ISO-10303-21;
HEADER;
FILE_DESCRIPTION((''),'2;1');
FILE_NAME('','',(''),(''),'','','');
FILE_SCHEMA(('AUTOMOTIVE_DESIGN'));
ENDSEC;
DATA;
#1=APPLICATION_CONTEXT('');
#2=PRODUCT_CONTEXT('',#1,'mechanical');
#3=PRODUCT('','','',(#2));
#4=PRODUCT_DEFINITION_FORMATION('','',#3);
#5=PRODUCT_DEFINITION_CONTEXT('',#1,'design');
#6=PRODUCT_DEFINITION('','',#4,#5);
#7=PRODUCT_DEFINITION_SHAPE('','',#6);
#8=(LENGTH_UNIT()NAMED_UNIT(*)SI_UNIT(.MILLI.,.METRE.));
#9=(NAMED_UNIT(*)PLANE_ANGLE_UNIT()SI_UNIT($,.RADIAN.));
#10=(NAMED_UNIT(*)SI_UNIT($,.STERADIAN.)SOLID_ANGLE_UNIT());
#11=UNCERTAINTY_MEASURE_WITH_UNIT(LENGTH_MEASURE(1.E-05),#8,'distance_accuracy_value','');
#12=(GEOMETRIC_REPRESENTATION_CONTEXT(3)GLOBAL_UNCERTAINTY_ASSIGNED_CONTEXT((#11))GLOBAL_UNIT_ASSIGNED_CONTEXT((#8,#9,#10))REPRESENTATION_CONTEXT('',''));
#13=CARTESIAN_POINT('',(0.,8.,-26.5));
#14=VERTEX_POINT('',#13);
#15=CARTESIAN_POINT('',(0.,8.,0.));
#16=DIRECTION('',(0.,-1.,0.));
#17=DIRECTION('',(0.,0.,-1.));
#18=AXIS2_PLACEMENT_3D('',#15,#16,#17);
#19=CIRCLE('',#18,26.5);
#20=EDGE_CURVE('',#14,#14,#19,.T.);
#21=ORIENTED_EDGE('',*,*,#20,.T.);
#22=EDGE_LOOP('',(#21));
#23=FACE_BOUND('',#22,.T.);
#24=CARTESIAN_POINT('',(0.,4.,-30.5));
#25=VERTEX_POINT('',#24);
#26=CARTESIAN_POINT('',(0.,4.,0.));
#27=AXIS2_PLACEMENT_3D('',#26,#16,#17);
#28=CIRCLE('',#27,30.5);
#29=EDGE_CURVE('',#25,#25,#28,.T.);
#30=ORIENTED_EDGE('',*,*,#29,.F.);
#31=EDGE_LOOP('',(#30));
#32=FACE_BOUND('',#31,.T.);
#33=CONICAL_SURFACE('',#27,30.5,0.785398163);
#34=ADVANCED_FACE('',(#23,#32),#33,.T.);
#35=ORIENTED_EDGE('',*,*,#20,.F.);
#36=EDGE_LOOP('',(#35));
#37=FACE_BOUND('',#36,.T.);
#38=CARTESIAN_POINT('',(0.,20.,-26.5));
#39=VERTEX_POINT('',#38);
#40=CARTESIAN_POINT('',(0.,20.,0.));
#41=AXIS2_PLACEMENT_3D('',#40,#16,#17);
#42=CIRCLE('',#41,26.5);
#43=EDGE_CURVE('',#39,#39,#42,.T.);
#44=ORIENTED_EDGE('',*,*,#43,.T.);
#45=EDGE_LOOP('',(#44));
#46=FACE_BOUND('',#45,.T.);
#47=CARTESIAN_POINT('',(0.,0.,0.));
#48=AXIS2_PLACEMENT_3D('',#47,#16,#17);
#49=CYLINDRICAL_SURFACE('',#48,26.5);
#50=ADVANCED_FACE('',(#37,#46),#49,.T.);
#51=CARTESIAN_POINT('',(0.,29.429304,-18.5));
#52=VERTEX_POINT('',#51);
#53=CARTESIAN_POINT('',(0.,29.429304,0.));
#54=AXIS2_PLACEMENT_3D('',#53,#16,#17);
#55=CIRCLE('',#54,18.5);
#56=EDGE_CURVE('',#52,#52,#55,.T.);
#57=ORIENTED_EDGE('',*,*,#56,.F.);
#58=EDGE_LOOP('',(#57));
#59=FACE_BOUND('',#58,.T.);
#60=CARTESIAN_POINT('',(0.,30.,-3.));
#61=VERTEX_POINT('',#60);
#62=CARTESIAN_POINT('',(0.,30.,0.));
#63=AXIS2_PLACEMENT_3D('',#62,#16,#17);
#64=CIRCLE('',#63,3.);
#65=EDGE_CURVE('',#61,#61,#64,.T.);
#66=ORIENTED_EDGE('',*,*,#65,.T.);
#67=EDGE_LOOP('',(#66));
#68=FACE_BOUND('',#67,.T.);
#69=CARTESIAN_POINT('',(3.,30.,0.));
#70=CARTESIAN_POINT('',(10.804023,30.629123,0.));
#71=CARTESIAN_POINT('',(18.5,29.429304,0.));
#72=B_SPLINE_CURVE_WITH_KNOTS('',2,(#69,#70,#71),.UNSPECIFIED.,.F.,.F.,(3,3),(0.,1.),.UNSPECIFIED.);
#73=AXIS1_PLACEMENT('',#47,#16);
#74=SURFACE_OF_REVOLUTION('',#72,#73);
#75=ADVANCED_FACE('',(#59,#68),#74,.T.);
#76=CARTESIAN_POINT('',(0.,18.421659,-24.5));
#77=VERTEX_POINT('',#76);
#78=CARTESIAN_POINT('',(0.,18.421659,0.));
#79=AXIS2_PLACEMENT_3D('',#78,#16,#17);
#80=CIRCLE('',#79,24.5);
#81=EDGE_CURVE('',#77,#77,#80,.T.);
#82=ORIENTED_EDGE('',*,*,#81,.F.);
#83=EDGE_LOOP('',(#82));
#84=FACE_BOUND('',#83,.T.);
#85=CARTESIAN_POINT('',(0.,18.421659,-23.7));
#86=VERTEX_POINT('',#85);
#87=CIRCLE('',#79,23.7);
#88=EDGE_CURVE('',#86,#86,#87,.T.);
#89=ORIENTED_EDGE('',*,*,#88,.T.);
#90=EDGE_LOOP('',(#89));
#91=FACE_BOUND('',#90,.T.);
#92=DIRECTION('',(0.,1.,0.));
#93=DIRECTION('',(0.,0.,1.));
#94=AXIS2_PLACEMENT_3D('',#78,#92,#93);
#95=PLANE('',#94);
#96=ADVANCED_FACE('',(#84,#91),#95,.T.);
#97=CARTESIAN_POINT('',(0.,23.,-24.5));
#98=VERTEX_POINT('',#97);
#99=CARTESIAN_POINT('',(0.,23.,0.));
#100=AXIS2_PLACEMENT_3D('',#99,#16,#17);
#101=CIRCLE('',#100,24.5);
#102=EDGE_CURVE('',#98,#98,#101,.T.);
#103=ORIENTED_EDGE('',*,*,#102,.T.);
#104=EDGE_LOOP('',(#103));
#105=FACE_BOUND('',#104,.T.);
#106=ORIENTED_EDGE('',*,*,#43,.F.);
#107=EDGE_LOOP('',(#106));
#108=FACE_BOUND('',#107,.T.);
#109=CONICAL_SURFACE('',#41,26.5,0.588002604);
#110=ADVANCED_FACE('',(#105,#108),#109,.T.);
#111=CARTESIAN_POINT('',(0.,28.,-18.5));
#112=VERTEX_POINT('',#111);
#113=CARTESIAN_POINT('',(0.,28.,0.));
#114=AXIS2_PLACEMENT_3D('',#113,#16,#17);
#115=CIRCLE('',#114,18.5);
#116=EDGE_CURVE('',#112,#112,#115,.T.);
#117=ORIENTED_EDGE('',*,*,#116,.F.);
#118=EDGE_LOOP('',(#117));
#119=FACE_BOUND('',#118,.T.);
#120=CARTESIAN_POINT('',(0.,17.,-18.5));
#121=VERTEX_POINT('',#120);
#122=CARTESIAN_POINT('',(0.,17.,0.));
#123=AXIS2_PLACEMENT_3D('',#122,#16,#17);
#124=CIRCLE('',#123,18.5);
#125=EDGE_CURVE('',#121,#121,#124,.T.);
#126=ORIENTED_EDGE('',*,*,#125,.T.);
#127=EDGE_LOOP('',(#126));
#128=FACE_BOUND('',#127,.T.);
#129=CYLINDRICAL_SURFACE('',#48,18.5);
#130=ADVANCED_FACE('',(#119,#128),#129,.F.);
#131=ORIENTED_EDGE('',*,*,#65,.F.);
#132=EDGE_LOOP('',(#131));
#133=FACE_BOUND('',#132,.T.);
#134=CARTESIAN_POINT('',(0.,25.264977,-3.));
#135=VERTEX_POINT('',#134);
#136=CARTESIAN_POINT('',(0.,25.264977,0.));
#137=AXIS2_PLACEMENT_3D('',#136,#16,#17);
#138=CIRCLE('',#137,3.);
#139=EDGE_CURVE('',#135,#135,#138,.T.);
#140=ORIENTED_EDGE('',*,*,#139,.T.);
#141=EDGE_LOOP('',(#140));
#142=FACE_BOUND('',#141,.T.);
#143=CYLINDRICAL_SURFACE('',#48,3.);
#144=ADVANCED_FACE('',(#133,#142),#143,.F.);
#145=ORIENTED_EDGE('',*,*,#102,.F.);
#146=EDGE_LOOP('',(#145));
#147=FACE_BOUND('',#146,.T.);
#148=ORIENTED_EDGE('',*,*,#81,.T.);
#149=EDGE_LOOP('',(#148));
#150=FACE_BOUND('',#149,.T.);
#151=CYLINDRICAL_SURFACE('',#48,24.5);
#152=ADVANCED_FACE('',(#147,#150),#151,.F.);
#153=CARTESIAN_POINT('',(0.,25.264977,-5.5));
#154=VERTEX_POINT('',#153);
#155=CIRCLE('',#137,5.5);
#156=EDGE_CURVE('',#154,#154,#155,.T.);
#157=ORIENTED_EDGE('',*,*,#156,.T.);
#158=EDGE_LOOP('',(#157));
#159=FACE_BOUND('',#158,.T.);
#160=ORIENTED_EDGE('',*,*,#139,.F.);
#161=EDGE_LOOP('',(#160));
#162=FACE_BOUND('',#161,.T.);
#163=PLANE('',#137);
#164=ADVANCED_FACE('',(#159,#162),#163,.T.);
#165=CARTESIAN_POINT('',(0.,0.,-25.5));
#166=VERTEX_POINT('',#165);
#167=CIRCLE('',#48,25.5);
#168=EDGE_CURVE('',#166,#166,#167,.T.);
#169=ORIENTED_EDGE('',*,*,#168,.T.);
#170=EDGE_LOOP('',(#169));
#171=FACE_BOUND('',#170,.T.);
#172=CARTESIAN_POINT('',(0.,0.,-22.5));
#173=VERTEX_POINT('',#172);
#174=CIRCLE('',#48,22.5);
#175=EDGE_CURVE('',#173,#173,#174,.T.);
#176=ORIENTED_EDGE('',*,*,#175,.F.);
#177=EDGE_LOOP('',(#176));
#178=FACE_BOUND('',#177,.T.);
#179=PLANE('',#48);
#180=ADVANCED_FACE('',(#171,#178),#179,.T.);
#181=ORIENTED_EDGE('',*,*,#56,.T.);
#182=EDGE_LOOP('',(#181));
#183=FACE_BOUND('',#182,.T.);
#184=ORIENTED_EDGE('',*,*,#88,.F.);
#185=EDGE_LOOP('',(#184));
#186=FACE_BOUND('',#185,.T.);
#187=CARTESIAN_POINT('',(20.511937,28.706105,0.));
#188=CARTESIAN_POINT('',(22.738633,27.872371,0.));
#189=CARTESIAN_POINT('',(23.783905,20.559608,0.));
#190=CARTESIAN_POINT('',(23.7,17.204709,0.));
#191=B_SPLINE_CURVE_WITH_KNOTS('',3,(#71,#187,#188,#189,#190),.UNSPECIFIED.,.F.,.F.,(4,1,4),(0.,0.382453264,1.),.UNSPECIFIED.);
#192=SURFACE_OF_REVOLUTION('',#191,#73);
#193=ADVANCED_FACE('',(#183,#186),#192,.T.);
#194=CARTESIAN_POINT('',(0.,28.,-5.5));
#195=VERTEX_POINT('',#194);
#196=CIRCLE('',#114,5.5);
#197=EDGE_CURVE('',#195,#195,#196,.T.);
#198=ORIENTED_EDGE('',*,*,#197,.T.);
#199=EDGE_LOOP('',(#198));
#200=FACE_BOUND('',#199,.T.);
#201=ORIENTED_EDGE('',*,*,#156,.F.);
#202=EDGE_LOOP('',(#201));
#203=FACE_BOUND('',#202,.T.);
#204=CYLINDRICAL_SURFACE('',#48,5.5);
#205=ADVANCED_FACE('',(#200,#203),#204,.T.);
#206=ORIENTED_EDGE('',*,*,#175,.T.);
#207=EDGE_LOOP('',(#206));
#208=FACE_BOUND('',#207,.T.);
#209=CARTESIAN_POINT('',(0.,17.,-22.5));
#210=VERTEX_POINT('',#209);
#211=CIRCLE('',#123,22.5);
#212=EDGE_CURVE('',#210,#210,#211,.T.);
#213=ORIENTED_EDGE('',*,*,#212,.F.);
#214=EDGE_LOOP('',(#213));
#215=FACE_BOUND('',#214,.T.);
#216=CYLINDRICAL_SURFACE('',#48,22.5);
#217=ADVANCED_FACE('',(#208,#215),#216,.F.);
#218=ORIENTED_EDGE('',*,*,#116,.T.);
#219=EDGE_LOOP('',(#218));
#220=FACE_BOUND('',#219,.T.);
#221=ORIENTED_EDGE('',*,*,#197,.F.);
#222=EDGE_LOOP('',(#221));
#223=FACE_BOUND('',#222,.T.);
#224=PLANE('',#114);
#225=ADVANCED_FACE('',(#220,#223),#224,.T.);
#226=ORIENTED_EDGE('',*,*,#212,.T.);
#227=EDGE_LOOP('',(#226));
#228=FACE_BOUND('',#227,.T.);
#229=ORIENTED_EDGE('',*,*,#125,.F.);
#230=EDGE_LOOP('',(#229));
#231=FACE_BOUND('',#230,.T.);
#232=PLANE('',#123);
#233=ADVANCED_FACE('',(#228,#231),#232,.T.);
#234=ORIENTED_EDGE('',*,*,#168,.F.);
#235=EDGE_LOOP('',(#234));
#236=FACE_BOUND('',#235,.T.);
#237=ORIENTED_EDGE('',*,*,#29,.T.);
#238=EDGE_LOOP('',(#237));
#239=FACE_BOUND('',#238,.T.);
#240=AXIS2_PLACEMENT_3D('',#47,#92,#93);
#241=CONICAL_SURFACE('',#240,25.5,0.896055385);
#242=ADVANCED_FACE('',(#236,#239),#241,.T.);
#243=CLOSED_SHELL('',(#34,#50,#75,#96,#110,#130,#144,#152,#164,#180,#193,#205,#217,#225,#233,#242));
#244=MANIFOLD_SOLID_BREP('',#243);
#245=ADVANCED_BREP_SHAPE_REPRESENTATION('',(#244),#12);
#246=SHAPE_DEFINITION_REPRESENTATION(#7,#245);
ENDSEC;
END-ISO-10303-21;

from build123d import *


with BuildPart() as part:
    # 草图1 → 旋转1 (revolve)
    with BuildSketch(Plane.XY, mode=Mode.PRIVATE) as revolve_1_sk:
        with BuildLine():
            add(Edge.make_bspline(
                [(3, 30), (10.804022891, 30.629123292), (18.5, 29.429304071)],
                knots=[0, 0, 0, 1, 1, 1], degree=2))
            Line((3, 30), (3, 25.264976959))
            Line((3, 25.264976959), (5.5, 25.264976959))
            Line((5.5, 25.264976959), (5.5, 28))
            Line((5.5, 28), (18.5, 28))
            Line((18.5, 28), (18.5, 17))
            Line((18.5, 17), (22.5, 17))
            Line((22.5, 17), (22.5, 0))
            Line((22.5, 0), (25.5, 0))
            Line((25.5, 0), (30.5, 4))
            Line((30.5, 4), (26.5, 8))
            Line((26.5, 8), (26.5, 20))
            Line((26.5, 20), (24.5, 23))
            Line((24.5, 23), (24.5, 18.421658986))
            Line((24.5, 18.421658986), (23.7, 18.421658986))
            add(Edge.make_bspline(
                [(18.5, 29.429304071), (20.511937278, 28.706105263), (22.57806562, 27.932491859), (23.627012252, 21.580564191), (23.7, 18.421658986)],
                knots=[0, 0, 0, 0, 0.382453264, 0.927890023, 0.927890023, 0.927890023, 0.927890023], degree=3))
        make_face()
    revolve(revolve_1_sk.sketch.rotate(Axis((0, 0, 0), (0, 1, 0)), 90), axis=Axis((0, 0, 0), (0, 1, 0)))


solid = part.part
